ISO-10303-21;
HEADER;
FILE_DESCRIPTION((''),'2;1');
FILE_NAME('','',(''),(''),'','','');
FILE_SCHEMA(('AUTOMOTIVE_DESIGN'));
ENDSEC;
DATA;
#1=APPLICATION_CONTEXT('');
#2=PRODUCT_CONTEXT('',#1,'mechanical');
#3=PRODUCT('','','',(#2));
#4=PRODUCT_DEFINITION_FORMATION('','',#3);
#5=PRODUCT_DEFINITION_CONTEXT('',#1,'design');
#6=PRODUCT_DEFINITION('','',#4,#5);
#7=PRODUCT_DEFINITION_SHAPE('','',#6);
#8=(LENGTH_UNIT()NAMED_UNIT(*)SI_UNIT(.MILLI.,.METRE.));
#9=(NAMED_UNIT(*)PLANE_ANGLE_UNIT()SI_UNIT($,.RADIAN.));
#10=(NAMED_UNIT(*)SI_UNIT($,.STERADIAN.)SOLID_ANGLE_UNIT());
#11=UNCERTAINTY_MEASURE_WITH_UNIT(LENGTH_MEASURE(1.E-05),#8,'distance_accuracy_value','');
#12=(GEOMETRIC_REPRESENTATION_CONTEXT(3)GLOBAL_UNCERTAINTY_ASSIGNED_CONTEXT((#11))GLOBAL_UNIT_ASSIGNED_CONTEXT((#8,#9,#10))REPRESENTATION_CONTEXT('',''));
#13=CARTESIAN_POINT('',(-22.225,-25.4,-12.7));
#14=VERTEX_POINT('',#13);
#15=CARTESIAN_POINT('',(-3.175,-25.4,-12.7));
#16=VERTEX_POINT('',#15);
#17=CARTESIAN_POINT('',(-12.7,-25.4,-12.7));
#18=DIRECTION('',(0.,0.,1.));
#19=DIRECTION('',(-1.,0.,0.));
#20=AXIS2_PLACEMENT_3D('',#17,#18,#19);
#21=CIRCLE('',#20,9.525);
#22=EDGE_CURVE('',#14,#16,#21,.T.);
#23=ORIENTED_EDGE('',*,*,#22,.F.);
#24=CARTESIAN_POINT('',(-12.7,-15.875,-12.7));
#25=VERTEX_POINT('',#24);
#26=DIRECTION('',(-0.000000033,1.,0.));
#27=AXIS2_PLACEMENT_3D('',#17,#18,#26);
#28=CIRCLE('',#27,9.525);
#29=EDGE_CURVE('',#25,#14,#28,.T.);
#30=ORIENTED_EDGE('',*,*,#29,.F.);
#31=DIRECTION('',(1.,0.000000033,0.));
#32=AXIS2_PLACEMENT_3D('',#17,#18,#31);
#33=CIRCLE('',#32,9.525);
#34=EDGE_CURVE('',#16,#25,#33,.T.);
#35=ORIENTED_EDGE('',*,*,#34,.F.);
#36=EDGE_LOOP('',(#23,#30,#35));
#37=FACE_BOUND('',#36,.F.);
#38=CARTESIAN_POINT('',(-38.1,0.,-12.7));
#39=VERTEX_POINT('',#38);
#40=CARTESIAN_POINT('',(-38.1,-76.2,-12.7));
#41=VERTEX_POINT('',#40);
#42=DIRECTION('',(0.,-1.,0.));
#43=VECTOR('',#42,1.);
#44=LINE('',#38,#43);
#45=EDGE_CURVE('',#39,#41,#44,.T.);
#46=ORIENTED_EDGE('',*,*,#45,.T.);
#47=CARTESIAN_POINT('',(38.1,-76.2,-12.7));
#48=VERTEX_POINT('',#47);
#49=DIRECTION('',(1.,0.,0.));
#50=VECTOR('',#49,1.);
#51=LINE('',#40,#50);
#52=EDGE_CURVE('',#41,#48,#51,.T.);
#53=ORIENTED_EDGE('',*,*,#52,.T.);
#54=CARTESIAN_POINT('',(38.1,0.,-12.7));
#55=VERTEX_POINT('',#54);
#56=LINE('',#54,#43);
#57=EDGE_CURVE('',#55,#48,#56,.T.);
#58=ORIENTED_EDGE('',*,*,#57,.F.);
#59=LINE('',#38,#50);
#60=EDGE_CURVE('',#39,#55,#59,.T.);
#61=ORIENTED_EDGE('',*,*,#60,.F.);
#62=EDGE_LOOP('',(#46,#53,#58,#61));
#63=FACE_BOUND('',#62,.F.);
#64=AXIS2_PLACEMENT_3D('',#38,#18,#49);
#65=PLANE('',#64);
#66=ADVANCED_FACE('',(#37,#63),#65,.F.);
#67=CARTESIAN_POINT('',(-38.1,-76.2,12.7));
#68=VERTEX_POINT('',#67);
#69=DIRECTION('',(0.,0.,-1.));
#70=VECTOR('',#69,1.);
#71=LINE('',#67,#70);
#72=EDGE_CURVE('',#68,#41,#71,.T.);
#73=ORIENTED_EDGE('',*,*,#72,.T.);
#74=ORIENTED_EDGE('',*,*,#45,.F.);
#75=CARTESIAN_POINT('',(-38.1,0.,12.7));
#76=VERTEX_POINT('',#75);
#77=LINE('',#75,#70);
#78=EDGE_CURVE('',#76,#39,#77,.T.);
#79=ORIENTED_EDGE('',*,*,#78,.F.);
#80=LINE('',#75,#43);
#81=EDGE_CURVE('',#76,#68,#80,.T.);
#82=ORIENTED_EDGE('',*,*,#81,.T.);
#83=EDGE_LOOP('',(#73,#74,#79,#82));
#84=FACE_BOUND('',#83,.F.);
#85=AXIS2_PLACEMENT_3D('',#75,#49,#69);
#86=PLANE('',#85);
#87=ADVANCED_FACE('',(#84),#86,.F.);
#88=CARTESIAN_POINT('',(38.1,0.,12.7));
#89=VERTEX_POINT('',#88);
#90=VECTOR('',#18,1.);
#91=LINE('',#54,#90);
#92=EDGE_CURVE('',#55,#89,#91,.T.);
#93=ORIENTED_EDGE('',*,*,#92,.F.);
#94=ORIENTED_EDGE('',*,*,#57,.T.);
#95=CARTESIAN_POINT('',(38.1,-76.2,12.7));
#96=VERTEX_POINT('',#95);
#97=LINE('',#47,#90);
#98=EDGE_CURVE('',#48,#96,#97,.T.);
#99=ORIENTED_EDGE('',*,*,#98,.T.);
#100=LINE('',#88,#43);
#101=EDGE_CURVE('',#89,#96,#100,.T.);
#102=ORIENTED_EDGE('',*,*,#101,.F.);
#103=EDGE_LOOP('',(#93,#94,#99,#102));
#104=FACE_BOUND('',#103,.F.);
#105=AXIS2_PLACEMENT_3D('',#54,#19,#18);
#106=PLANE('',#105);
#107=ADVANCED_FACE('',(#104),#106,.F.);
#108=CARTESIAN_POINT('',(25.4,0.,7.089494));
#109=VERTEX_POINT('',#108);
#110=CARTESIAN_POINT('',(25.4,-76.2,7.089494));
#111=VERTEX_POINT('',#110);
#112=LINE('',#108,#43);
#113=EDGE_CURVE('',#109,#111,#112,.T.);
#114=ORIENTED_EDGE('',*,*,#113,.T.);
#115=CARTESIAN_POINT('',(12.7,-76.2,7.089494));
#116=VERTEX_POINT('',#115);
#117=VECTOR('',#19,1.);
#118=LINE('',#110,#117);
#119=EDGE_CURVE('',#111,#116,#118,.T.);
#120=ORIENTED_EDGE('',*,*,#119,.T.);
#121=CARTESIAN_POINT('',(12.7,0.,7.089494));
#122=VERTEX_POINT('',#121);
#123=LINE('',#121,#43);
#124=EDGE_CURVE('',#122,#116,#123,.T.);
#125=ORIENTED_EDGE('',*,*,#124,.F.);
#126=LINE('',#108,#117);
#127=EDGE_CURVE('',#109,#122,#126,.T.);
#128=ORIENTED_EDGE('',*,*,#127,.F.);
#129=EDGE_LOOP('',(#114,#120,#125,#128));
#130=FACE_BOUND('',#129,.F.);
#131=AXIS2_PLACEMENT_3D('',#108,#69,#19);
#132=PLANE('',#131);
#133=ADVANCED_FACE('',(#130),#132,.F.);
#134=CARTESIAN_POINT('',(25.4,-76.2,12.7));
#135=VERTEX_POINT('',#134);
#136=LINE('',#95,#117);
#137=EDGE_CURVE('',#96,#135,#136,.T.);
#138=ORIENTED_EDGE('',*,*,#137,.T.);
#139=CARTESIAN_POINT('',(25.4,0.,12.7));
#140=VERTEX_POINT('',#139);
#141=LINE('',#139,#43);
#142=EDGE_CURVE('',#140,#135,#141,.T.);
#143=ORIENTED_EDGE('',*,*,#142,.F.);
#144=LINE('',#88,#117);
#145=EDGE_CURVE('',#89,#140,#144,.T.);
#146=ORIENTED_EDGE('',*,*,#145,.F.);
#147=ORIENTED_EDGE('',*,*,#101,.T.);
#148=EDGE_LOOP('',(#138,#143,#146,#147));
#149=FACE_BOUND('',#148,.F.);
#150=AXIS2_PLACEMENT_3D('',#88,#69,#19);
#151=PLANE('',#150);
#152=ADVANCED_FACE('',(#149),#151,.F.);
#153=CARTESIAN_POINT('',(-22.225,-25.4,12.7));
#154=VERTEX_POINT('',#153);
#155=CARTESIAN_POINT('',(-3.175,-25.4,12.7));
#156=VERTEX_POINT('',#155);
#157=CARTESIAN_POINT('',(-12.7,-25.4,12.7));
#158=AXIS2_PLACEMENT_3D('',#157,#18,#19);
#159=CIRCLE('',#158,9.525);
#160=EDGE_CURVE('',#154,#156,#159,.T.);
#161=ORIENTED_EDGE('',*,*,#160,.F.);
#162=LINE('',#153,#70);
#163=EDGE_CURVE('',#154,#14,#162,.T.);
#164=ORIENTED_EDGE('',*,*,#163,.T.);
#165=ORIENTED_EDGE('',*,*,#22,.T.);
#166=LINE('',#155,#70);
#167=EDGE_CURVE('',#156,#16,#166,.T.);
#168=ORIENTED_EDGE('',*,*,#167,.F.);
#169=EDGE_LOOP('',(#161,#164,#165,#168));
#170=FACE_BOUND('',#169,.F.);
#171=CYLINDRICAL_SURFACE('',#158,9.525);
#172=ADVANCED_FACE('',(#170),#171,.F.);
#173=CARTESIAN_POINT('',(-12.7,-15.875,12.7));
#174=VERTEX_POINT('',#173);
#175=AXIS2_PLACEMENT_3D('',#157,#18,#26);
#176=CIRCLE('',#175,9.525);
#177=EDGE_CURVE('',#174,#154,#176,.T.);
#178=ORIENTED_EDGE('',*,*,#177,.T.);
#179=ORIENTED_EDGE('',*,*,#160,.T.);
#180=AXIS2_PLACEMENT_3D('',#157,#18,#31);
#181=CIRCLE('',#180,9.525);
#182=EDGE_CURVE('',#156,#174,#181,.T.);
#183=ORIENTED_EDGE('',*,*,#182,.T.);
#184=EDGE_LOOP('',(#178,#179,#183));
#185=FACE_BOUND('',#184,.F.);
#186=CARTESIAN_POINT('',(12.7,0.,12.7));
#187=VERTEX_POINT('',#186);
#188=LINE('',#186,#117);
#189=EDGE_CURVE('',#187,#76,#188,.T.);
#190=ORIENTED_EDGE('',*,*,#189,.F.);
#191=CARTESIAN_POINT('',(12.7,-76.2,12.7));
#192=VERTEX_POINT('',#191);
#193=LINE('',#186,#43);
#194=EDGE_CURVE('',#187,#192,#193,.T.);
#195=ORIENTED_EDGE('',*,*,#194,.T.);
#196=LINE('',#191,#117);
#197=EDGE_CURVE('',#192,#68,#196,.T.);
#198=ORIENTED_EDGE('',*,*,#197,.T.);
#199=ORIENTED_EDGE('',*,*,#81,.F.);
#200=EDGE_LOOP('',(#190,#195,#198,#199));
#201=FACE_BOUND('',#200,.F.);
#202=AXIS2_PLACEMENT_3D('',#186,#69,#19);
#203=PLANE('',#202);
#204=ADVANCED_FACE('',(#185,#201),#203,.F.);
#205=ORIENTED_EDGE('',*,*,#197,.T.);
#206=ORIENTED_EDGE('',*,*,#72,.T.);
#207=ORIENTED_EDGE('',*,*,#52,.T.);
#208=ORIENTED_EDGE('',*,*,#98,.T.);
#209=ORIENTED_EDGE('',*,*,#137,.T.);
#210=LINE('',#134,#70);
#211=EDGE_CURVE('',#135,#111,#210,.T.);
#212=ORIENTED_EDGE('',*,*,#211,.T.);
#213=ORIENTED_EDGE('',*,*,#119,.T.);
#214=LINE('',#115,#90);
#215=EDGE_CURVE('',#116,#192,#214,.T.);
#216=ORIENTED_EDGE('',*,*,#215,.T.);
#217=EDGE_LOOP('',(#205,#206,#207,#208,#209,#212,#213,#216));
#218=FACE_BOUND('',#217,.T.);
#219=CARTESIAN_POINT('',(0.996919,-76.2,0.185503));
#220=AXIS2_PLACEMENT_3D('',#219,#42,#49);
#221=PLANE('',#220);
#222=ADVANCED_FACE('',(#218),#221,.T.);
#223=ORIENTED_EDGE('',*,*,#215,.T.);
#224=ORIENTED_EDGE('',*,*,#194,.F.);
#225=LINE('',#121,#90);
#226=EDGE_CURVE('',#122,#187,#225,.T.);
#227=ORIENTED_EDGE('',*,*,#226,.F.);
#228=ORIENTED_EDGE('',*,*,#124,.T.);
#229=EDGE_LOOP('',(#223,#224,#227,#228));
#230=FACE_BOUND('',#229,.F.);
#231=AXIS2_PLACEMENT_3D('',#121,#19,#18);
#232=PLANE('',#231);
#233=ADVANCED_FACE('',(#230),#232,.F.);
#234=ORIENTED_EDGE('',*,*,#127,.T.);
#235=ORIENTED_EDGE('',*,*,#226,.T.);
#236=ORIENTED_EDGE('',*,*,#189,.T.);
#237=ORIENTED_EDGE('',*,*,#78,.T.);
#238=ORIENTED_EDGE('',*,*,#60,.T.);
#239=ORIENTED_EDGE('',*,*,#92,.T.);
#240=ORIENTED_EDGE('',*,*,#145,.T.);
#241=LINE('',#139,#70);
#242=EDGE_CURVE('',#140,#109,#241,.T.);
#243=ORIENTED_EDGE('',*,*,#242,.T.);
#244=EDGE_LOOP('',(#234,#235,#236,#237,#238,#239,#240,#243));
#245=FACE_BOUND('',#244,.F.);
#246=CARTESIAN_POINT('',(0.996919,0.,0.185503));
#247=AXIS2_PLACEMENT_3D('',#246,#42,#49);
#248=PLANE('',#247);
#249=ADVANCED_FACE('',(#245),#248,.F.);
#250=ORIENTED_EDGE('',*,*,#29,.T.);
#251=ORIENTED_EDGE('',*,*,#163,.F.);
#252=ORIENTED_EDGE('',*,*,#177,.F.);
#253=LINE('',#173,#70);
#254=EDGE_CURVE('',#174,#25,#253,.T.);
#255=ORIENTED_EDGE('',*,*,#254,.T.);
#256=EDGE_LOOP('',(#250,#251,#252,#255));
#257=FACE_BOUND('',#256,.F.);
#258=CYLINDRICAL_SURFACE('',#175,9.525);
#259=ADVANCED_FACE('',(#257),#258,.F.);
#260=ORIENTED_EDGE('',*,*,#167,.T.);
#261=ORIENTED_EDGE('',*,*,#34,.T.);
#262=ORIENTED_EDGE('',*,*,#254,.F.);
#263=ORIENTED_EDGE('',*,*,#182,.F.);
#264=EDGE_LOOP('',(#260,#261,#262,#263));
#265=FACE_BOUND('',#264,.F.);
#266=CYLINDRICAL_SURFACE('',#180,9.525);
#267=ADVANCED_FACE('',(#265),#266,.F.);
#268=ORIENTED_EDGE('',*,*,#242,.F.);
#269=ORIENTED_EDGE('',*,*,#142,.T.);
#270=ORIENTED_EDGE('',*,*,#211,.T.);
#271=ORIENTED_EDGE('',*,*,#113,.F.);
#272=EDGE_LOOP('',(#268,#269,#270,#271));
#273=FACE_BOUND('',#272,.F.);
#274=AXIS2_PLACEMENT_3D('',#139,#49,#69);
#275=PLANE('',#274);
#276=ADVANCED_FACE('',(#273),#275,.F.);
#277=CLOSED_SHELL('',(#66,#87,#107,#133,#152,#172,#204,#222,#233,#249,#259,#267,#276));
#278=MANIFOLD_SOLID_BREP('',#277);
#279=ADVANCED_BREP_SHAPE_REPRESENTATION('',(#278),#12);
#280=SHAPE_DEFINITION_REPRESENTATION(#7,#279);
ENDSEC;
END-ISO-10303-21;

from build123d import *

# Parameters (mm, degrees)
F1_DEPTH = 76.2
F3_DEPTH = 25.4


with BuildPart() as f1:
    # F0 (on Front) → F1 (new body)
    with BuildSketch(Plane.XZ):
        Polygon((-38.1, -12.7), (38.1, -12.7), (38.1, 12.7), (25.4, 12.7), (25.4, 7.089494), (12.7, 7.089494), (12.7, 12.7), (-38.1, 12.7), align=None)
    extrude(amount=F1_DEPTH)

    # F2 (on face) → F3 (cut)
    with BuildSketch(Plane.XY.offset(12.7)):
        with BuildLine():
            ThreePointArc((-3.175, -25.4), (-5.964808, -18.664808), (-12.7, -15.875))
            Line((-12.7, -15.875), (-12.7, -25.4))
            Line((-12.7, -25.4), (-22.225, -25.4))
            ThreePointArc((-22.225, -25.4), (-12.7, -34.925), (-3.175, -25.4))
        make_face()
        with BuildLine():
            Line((-12.7, -25.4), (-12.7, -15.875))
            ThreePointArc((-12.7, -15.875), (-19.435192, -18.664808), (-22.225, -25.4))
            Line((-22.225, -25.4), (-12.7, -25.4))
        make_face()
    extrude(amount=-F3_DEPTH, mode=Mode.SUBTRACT)


solid = f1.part
